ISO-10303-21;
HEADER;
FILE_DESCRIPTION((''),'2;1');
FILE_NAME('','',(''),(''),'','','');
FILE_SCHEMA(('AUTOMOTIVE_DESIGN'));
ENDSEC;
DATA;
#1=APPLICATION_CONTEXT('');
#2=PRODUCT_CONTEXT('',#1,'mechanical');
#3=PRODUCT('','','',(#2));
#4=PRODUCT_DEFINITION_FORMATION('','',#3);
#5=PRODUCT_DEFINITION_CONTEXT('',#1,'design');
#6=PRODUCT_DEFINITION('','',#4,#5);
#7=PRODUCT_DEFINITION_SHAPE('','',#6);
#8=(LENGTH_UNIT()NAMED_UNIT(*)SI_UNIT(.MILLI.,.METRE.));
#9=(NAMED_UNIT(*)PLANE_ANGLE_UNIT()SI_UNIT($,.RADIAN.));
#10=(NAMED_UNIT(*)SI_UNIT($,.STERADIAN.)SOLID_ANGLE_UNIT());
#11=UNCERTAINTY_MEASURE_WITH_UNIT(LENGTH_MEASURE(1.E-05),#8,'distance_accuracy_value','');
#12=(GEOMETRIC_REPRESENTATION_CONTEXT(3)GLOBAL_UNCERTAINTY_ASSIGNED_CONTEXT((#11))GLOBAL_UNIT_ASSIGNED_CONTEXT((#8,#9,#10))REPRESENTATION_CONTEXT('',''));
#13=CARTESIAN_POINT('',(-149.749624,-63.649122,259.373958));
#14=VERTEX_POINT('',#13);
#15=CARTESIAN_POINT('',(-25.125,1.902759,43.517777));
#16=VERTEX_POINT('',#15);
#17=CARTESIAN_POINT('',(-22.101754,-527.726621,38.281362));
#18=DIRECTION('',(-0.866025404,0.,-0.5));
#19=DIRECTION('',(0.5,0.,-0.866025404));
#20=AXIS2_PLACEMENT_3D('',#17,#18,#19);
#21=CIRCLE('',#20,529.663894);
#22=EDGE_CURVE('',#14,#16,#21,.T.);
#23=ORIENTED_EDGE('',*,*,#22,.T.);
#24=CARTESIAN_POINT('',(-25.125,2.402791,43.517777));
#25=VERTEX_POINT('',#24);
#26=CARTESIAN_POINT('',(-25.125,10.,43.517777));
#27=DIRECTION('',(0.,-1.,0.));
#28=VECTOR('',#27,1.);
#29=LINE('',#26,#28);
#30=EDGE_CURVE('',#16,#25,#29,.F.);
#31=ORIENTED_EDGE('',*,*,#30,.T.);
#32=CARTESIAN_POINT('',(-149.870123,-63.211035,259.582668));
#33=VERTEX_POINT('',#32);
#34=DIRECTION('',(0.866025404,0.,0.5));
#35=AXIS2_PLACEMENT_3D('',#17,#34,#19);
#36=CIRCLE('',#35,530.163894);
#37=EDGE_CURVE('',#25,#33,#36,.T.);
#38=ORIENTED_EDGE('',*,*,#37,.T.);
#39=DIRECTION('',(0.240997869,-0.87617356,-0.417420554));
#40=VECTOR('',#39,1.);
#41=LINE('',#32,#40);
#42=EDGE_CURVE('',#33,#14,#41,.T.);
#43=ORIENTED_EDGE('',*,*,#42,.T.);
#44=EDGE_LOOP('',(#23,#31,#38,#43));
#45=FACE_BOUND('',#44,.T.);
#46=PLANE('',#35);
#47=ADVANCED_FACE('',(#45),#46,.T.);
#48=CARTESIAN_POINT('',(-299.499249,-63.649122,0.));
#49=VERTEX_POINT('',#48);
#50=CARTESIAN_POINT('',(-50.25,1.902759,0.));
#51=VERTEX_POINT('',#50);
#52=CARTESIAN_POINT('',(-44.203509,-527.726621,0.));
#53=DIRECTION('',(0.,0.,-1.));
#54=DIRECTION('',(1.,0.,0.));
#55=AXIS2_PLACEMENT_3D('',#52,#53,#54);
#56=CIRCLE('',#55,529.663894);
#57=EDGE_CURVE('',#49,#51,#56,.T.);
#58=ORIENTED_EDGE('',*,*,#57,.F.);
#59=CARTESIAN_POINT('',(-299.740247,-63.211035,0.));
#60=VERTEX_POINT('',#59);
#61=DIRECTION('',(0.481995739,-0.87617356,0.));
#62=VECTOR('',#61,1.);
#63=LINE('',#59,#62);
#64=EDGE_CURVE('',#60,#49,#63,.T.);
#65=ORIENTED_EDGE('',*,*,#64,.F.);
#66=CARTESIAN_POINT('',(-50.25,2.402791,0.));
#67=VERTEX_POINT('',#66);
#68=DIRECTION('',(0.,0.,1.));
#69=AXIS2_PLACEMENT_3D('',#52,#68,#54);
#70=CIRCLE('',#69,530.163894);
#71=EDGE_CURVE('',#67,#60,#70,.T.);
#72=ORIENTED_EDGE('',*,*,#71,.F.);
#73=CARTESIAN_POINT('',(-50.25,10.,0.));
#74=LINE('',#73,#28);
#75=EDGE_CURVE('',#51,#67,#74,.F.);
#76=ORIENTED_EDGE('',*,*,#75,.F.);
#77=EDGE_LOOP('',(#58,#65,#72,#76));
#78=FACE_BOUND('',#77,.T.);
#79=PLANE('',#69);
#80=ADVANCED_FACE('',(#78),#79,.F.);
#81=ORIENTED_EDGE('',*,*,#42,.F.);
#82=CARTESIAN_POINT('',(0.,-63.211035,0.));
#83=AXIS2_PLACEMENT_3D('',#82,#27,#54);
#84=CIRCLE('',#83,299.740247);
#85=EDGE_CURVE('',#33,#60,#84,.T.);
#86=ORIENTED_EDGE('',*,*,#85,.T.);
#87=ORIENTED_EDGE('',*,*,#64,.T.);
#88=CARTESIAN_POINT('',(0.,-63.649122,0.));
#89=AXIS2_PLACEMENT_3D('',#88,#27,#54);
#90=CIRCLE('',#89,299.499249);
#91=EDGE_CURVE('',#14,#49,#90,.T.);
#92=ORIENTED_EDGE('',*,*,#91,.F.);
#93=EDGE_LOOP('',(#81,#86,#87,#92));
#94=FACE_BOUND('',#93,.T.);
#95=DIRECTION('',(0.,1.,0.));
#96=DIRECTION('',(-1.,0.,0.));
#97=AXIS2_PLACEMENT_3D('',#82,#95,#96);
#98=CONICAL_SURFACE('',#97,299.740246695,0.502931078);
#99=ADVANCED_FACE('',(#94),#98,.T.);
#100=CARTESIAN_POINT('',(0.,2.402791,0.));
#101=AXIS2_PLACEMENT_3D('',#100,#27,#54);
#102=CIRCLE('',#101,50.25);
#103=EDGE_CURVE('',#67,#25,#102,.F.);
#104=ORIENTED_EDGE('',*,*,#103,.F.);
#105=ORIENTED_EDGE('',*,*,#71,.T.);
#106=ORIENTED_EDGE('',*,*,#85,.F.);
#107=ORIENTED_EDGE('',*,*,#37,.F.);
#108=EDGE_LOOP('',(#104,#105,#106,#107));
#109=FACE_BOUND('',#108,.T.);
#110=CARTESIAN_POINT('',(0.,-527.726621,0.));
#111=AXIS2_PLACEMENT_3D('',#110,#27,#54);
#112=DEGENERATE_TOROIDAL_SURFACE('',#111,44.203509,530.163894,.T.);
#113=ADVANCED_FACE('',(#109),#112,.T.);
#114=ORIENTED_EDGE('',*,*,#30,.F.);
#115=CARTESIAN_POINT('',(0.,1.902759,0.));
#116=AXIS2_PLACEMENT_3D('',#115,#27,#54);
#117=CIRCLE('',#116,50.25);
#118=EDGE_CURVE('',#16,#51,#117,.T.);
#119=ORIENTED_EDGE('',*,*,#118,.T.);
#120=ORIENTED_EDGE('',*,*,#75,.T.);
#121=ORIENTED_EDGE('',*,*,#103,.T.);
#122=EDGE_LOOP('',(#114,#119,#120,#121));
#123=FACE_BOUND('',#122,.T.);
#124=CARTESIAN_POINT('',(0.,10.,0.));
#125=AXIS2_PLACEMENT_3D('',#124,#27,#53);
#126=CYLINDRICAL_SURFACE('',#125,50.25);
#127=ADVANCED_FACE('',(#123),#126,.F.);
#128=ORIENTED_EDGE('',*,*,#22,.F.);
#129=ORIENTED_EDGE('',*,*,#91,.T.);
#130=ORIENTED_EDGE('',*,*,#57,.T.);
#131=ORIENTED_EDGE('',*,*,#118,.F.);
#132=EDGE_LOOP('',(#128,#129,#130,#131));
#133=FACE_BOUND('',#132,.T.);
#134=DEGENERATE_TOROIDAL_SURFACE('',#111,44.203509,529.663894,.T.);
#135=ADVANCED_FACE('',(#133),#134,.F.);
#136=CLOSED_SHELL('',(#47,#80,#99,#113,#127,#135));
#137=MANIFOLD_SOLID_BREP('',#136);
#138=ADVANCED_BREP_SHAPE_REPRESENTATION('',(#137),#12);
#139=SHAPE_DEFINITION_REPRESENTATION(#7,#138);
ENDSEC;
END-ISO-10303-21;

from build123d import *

# Parameters (mm, degrees)
REVOLVE1_ANGLE     = 60
SKETCH4_R          = 50.25
CUT_EXTRUDE3_DEPTH = 10


with BuildPart() as part:
    # Sketch1 → Revolve1 (revolve)
    with BuildSketch(Plane.XY):
        with BuildLine():
            Line((-45, 1.936673673), (-10, 1.936673673))
            Line((-10, 1.936673673), (-10, 2.436673673))
            Line((-10, 2.436673673), (-45.000375853, 2.436673673))
            ThreePointArc((-45.000375853, 2.436673673), (-45.557674224, 2.435543108), (-46.114971099, 2.433826721))
            ThreePointArc((-46.114971099, 2.433826721), (-177.046295247, -14.475660779), (-299.740246695, -63.211034879))
            Line((-299.740246695, -63.211034879), (-299.499248826, -63.64912166))
            ThreePointArc((-299.499248826, -63.64912166), (-176.921010606, -14.959710114), (-46.11316839, 1.933829971))
            ThreePointArc((-46.11316839, 1.933829971), (-45.556584942, 1.935544259), (-45, 1.936673673))
        make_face()
    revolve(axis=Axis((0, -998.5, 0), (0, 1, 0)), revolution_arc=REVOLVE1_ANGLE)

    # Sketch4 → Cut-Extrude3 (cut)
    with BuildSketch(Plane(origin=(0, 0, 0), x_dir=(1, 0, 0), z_dir=(0, 1, 0))):
        Circle(SKETCH4_R)
    extrude(amount=CUT_EXTRUDE3_DEPTH, mode=Mode.SUBTRACT)


solid = part.part
